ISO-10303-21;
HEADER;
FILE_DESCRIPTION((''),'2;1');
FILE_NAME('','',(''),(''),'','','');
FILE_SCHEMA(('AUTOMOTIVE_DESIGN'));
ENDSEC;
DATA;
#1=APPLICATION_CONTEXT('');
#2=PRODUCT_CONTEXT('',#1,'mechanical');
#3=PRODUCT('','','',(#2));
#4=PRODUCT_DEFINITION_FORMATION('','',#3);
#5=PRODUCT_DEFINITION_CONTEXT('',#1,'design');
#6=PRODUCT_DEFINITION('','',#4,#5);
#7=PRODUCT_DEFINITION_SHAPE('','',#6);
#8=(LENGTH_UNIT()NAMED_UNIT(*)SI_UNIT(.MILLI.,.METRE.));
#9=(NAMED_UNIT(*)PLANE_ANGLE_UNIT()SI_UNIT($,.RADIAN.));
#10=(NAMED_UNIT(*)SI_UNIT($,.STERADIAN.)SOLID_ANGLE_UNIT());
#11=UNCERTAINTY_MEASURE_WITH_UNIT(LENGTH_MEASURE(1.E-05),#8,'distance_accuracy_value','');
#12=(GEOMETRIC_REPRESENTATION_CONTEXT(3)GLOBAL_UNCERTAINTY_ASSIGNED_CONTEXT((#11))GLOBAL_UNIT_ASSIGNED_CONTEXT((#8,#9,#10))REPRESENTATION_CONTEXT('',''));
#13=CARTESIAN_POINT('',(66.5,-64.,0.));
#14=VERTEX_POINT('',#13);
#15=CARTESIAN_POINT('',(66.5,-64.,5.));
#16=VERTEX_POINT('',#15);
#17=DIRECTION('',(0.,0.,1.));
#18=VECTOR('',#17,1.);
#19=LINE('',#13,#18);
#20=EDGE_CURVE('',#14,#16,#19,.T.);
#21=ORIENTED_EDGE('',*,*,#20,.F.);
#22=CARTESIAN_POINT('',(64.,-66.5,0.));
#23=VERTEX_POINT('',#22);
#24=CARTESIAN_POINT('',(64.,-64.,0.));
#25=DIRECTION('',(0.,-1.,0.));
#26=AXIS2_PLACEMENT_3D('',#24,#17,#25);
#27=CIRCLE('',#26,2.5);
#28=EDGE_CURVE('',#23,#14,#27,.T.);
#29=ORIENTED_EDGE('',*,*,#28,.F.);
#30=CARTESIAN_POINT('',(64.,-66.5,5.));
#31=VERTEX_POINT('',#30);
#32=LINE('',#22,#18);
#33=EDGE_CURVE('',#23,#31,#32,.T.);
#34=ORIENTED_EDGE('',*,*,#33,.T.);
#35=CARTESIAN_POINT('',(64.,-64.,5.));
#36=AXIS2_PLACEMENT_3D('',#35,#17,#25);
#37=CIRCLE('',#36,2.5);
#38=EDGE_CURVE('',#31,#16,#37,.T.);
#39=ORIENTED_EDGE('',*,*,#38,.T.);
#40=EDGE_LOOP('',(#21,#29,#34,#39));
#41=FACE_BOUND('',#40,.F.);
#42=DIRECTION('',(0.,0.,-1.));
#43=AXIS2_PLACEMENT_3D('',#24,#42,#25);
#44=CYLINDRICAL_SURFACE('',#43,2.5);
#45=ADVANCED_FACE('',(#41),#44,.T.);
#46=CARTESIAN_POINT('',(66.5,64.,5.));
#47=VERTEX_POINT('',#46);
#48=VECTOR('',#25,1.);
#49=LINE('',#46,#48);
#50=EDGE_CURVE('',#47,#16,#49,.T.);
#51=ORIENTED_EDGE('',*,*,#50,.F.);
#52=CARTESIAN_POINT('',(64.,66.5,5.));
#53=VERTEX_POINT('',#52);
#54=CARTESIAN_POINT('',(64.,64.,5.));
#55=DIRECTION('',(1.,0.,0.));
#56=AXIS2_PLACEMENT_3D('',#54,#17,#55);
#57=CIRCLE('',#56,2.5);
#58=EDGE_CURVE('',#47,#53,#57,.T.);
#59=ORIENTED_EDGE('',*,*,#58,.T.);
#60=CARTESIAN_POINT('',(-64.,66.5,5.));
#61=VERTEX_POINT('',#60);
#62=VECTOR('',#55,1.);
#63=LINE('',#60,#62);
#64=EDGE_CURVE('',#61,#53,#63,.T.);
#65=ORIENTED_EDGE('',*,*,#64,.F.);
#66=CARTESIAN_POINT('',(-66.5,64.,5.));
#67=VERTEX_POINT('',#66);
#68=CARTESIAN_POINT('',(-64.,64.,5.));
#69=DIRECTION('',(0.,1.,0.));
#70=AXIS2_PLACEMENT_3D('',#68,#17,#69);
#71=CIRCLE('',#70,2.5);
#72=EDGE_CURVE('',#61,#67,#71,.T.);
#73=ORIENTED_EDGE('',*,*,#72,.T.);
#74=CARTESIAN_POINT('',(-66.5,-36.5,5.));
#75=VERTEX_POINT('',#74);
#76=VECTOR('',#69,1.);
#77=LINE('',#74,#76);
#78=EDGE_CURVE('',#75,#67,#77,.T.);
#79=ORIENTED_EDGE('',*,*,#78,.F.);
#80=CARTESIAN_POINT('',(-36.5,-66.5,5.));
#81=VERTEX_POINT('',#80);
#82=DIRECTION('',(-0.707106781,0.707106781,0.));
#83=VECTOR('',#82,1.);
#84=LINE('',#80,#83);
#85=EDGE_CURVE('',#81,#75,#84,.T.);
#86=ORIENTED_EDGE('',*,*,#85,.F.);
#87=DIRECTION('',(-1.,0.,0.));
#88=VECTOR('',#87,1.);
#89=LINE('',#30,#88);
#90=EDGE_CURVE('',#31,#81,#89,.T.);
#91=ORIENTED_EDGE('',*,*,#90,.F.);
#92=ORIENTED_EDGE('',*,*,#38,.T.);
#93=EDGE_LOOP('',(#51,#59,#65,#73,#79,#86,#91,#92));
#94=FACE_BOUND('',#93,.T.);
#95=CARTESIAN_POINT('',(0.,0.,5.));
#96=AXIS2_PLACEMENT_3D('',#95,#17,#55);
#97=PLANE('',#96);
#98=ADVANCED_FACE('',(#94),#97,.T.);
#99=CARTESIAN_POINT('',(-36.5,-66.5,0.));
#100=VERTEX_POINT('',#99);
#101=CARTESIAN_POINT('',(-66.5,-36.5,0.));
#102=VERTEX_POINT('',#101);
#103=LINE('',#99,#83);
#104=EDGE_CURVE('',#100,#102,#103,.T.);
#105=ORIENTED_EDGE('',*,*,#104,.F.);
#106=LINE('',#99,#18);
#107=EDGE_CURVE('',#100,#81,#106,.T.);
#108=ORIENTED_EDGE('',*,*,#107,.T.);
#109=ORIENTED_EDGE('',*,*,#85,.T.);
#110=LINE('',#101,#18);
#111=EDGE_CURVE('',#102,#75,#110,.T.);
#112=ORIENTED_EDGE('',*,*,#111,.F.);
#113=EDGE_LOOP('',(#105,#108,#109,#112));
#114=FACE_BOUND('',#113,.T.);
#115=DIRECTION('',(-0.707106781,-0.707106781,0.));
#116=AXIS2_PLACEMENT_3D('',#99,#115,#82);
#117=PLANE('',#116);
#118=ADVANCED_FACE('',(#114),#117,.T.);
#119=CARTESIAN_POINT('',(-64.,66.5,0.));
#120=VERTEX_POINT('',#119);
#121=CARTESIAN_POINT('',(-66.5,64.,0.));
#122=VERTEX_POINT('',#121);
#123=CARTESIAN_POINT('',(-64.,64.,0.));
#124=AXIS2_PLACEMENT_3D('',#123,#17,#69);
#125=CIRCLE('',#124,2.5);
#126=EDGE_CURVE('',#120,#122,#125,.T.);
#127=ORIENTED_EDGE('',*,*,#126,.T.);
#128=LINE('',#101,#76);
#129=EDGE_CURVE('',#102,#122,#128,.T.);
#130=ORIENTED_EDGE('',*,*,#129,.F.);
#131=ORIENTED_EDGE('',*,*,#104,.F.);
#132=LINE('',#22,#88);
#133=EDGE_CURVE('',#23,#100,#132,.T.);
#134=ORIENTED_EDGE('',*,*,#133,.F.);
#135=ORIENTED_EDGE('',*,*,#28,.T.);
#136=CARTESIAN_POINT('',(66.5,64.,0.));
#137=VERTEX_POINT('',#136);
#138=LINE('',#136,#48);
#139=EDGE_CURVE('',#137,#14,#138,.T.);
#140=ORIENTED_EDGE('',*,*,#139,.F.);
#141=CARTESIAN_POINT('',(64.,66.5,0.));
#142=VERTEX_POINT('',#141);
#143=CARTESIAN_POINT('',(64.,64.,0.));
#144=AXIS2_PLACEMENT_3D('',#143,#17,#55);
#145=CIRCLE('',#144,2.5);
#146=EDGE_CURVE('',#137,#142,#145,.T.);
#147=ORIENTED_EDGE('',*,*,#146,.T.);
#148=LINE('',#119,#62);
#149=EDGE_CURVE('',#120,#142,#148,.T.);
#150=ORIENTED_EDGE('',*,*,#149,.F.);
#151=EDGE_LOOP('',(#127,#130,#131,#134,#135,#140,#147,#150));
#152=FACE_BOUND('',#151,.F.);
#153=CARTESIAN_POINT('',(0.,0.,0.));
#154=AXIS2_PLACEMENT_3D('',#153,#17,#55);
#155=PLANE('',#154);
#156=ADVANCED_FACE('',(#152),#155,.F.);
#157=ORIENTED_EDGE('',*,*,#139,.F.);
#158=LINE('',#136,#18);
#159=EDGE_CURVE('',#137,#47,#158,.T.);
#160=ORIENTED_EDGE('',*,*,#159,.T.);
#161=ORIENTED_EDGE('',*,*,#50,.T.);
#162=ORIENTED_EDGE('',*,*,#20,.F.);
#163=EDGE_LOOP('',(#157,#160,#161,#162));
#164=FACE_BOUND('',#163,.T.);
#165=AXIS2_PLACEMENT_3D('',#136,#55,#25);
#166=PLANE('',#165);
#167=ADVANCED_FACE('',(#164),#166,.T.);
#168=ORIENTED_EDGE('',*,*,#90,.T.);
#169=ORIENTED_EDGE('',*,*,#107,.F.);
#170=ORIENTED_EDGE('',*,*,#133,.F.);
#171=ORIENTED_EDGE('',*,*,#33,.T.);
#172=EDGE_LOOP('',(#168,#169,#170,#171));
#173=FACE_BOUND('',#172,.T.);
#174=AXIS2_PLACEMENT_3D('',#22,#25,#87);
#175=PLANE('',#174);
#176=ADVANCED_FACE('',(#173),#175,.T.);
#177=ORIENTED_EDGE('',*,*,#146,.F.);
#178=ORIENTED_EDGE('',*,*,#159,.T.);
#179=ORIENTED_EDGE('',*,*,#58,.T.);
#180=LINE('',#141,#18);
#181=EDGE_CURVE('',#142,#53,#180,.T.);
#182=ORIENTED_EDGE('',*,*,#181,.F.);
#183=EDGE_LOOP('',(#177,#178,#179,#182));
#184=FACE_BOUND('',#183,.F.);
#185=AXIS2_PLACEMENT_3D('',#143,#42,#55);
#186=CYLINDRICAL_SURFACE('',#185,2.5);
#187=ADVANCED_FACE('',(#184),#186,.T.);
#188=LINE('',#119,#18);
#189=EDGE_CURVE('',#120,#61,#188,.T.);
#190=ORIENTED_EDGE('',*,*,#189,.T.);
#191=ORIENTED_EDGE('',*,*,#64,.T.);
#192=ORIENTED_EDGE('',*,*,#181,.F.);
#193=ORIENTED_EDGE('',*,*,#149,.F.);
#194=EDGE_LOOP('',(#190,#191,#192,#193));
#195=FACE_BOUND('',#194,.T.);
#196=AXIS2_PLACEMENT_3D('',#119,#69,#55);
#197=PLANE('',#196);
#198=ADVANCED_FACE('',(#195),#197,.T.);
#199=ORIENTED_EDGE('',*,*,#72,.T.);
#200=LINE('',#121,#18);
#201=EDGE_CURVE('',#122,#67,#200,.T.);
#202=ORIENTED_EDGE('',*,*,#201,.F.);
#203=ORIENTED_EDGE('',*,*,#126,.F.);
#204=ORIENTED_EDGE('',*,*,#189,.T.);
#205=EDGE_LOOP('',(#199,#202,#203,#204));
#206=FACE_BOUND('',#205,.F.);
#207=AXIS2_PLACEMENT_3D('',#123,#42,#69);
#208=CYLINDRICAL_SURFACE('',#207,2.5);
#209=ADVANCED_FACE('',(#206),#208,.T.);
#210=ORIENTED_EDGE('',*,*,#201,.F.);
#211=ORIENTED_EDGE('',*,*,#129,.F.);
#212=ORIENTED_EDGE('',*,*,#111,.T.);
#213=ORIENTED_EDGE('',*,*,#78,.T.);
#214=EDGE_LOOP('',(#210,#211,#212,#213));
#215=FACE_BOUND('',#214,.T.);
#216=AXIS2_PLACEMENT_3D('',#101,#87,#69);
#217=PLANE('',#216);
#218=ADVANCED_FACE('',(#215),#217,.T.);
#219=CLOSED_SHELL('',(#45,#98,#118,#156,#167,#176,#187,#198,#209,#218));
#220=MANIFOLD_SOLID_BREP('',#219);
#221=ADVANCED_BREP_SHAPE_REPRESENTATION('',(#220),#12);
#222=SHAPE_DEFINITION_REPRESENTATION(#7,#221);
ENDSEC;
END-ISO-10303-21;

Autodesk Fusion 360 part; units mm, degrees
sketch "Sketch1" plane through (0, 0, 0) normal (0, 0, 1) x (1, 0, 0)
  line L0 (-64, 66.5) -> (64, 66.5)
  line L1 (66.5, 64) -> (66.5, -64)
  line L2 (64, -66.5) -> (-36.5, -66.5)
  line L3 (-66.5, -36.5) -> (-66.5, 64)
  line L4 (-36.5, -66.5) -> (-66.5, -36.5)
  arc A0 (-64, 66.5) -> (-66.5, 64) centre (-64, 64) ccw
  arc A1 (66.5, 64) -> (64, 66.5) centre (64, 64) ccw
  arc A2 (64, -66.5) -> (66.5, -64) centre (64, -64) ccw
extrude "Extrude1" add sketch "Sketch1" along normal blind 5
sketch "Sketch2" plane through (0, 0, 5) normal (0, 0, 1) x (-1, 0, 0)
  line L0 (36.5, 66.5) -> (-64, 66.5)
  arc A0 (-64, 66.5) -> (-66.5, 64) centre (-64, 64) ccw
  line L1 (-66.5, 64) -> (-66.5, -64)
  arc A1 (-66.5, -64) -> (-64, -66.5) centre (-64, -64) ccw
  line L2 (-64, -66.5) -> (64, -66.5)
  arc A2 (64, -66.5) -> (66.5, -64) centre (64, -64) ccw
  line L3 (66.5, -64) -> (66.5, 36.5)
  line L4 (66.5, 36.5) -> (36.5, 66.5)
  circle A3 centre (0, 0) radius 20
  circle A4 centre (0, 0) radius 16.5
  line L5 (-56.5, -66.5) -> (56.5, -66.5)
  line L6 (56.5, -66.5) -> (56.5, -50.5727)
  line L7 (49, -43.0727) -> (-49, -43.0727)
  line L8 (-56.5, -50.5727) -> (-56.5, -66.5)
  arc A5 (56.5, -50.5727) -> (49, -43.0727) centre (49, -50.5727) ccw
  arc A6 (-49, -43.0727) -> (-56.5, -50.5727) centre (-49, -50.5727) ccw
